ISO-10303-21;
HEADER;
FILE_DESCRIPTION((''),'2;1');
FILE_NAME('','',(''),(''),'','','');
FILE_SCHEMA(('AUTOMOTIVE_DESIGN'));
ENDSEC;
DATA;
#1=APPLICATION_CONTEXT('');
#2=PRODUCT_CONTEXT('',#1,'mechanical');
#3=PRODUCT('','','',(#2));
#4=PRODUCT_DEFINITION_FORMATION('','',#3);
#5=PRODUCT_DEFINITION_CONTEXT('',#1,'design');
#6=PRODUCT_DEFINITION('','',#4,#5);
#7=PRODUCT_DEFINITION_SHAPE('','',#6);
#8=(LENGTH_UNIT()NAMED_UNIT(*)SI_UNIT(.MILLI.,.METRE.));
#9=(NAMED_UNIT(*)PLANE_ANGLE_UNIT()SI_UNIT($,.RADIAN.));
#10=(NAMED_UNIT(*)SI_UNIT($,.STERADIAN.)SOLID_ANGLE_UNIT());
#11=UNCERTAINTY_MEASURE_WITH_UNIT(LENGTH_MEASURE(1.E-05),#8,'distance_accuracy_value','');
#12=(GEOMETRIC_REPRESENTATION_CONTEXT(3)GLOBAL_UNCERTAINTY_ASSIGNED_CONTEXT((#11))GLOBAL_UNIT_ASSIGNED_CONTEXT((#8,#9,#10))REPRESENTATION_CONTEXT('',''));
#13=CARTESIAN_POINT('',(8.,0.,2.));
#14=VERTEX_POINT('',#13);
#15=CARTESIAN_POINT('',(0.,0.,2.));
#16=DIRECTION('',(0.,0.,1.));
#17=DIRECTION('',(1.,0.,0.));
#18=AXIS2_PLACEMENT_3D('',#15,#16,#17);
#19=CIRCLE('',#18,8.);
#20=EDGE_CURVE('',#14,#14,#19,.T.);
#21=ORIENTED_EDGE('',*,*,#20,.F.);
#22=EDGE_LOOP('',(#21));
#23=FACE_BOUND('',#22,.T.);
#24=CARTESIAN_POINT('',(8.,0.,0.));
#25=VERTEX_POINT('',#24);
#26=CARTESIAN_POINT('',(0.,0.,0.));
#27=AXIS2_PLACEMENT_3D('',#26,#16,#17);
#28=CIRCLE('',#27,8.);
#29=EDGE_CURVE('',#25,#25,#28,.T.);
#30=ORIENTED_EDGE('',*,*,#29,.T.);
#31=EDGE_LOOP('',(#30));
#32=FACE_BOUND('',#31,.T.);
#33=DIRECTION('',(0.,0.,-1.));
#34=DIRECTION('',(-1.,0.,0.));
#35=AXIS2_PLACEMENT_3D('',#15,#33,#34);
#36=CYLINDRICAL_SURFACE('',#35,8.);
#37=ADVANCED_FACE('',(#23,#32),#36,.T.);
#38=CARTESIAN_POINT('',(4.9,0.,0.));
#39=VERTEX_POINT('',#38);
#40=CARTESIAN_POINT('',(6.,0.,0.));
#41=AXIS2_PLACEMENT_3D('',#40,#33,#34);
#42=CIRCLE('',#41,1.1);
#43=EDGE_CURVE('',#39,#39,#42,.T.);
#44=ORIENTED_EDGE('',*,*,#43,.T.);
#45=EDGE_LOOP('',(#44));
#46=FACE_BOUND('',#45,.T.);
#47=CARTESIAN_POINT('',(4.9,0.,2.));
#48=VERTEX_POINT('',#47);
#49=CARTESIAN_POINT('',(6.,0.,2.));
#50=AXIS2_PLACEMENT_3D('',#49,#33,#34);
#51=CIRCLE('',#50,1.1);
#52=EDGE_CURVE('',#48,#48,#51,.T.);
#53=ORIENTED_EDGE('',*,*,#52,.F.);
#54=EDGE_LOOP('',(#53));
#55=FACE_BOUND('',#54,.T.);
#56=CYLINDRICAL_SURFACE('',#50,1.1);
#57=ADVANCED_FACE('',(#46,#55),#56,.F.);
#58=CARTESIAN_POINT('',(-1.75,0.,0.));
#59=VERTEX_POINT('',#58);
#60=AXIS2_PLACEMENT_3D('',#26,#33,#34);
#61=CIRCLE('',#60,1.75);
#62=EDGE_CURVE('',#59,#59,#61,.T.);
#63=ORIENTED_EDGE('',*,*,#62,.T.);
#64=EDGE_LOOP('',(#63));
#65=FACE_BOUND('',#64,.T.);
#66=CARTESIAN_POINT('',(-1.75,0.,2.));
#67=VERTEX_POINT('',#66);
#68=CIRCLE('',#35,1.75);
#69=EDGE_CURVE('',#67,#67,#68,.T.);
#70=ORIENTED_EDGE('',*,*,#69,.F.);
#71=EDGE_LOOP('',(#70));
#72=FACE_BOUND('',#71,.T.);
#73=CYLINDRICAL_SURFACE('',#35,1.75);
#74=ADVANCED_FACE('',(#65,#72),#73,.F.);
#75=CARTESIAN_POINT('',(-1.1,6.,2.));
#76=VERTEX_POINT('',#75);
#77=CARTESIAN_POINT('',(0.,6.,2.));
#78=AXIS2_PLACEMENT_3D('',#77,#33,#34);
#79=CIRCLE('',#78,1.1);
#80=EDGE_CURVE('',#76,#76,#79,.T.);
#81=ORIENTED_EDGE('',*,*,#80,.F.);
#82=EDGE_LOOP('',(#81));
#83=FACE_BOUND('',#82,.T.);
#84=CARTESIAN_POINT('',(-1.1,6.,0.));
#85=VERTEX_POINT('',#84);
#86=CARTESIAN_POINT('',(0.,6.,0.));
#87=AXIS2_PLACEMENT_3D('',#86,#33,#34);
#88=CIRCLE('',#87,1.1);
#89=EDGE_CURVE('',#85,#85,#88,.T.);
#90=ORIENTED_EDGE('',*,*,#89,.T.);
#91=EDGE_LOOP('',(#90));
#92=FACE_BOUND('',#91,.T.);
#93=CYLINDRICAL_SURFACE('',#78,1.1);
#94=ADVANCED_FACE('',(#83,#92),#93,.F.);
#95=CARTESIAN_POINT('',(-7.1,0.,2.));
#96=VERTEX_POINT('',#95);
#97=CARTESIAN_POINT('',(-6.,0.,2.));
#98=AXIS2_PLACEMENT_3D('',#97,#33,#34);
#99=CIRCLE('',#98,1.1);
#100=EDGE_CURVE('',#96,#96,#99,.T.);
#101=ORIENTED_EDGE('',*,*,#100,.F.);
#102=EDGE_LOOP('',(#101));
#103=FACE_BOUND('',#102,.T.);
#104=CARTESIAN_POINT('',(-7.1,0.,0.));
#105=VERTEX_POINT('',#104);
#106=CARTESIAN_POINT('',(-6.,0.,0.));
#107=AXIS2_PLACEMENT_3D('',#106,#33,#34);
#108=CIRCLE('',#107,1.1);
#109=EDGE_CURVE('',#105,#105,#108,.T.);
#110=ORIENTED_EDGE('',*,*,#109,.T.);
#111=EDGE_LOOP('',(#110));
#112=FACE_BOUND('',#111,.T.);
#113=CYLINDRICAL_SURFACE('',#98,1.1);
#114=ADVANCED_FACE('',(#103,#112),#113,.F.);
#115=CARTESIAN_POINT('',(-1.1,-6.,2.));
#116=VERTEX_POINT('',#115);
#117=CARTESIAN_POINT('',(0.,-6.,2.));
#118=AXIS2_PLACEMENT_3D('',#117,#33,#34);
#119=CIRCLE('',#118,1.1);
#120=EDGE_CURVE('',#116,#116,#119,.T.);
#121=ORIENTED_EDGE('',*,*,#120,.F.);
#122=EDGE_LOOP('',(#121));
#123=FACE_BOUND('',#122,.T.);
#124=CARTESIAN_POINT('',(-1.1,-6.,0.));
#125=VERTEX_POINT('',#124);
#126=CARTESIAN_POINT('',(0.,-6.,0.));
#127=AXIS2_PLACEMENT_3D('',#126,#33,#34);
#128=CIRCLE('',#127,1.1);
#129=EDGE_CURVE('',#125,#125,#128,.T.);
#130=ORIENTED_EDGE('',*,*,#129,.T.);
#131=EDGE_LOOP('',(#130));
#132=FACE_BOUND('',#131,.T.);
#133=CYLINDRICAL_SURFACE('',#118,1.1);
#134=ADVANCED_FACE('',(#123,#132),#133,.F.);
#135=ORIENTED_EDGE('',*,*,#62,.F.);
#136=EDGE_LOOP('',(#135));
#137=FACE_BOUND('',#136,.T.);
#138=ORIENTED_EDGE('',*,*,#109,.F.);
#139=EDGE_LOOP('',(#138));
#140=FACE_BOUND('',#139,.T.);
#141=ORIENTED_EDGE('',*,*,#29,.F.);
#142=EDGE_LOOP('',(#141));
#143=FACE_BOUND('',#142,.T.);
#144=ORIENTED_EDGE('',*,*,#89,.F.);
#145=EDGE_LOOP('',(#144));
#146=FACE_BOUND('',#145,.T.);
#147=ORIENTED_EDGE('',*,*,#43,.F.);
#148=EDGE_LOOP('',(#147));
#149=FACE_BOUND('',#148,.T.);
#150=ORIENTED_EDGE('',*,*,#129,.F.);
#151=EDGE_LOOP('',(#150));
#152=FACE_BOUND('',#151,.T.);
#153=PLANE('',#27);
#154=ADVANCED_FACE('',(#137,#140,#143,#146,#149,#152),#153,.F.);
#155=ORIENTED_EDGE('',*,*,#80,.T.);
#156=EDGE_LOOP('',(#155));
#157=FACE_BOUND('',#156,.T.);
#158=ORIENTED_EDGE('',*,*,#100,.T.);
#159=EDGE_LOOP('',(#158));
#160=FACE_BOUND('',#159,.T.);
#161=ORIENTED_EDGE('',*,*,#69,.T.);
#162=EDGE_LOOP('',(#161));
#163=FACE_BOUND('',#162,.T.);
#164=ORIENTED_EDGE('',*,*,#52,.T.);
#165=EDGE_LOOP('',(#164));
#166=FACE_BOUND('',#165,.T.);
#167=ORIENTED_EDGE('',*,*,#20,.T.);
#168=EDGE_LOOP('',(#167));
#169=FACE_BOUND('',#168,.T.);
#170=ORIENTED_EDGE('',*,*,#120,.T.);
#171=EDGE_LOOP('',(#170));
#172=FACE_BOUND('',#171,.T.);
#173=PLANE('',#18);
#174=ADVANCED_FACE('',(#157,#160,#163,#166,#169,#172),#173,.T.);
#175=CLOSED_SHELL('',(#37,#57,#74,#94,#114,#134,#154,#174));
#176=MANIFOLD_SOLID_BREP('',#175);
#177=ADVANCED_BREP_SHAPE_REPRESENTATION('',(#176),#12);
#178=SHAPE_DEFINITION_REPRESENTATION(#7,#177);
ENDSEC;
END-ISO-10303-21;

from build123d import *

# Parameters (mm, degrees)
SKETCH_1_R          = 8
EXTRUDE_1_DEPTH     = 2
SKETCH_3_R          = 1.1
SKETCH_3_R_2        = 1.75
CUT_EXTRUDE_1_DEPTH = 12.489125293


with BuildPart() as part:
    # 草图1 → 凸台-拉伸1 (new body)
    with BuildSketch(Plane.XY):
        Circle(SKETCH_1_R)
    extrude(amount=EXTRUDE_1_DEPTH)

    # 草图3 → 切除-拉伸1 (cut, through all)
    with BuildSketch(Plane(origin=(0, 0, 0), x_dir=(-1, 0, 0), z_dir=(0, 0, -1))):
        with Locations((0, 6)):
            Circle(SKETCH_3_R)
        with Locations((6, 0)):
            Circle(SKETCH_3_R)
        with Locations((0, -6)):
            Circle(SKETCH_3_R)
        with Locations((-6, 0)):
            Circle(SKETCH_3_R)
        Circle(SKETCH_3_R_2)
    extrude(amount=-CUT_EXTRUDE_1_DEPTH, mode=Mode.SUBTRACT)


solid = part.part
